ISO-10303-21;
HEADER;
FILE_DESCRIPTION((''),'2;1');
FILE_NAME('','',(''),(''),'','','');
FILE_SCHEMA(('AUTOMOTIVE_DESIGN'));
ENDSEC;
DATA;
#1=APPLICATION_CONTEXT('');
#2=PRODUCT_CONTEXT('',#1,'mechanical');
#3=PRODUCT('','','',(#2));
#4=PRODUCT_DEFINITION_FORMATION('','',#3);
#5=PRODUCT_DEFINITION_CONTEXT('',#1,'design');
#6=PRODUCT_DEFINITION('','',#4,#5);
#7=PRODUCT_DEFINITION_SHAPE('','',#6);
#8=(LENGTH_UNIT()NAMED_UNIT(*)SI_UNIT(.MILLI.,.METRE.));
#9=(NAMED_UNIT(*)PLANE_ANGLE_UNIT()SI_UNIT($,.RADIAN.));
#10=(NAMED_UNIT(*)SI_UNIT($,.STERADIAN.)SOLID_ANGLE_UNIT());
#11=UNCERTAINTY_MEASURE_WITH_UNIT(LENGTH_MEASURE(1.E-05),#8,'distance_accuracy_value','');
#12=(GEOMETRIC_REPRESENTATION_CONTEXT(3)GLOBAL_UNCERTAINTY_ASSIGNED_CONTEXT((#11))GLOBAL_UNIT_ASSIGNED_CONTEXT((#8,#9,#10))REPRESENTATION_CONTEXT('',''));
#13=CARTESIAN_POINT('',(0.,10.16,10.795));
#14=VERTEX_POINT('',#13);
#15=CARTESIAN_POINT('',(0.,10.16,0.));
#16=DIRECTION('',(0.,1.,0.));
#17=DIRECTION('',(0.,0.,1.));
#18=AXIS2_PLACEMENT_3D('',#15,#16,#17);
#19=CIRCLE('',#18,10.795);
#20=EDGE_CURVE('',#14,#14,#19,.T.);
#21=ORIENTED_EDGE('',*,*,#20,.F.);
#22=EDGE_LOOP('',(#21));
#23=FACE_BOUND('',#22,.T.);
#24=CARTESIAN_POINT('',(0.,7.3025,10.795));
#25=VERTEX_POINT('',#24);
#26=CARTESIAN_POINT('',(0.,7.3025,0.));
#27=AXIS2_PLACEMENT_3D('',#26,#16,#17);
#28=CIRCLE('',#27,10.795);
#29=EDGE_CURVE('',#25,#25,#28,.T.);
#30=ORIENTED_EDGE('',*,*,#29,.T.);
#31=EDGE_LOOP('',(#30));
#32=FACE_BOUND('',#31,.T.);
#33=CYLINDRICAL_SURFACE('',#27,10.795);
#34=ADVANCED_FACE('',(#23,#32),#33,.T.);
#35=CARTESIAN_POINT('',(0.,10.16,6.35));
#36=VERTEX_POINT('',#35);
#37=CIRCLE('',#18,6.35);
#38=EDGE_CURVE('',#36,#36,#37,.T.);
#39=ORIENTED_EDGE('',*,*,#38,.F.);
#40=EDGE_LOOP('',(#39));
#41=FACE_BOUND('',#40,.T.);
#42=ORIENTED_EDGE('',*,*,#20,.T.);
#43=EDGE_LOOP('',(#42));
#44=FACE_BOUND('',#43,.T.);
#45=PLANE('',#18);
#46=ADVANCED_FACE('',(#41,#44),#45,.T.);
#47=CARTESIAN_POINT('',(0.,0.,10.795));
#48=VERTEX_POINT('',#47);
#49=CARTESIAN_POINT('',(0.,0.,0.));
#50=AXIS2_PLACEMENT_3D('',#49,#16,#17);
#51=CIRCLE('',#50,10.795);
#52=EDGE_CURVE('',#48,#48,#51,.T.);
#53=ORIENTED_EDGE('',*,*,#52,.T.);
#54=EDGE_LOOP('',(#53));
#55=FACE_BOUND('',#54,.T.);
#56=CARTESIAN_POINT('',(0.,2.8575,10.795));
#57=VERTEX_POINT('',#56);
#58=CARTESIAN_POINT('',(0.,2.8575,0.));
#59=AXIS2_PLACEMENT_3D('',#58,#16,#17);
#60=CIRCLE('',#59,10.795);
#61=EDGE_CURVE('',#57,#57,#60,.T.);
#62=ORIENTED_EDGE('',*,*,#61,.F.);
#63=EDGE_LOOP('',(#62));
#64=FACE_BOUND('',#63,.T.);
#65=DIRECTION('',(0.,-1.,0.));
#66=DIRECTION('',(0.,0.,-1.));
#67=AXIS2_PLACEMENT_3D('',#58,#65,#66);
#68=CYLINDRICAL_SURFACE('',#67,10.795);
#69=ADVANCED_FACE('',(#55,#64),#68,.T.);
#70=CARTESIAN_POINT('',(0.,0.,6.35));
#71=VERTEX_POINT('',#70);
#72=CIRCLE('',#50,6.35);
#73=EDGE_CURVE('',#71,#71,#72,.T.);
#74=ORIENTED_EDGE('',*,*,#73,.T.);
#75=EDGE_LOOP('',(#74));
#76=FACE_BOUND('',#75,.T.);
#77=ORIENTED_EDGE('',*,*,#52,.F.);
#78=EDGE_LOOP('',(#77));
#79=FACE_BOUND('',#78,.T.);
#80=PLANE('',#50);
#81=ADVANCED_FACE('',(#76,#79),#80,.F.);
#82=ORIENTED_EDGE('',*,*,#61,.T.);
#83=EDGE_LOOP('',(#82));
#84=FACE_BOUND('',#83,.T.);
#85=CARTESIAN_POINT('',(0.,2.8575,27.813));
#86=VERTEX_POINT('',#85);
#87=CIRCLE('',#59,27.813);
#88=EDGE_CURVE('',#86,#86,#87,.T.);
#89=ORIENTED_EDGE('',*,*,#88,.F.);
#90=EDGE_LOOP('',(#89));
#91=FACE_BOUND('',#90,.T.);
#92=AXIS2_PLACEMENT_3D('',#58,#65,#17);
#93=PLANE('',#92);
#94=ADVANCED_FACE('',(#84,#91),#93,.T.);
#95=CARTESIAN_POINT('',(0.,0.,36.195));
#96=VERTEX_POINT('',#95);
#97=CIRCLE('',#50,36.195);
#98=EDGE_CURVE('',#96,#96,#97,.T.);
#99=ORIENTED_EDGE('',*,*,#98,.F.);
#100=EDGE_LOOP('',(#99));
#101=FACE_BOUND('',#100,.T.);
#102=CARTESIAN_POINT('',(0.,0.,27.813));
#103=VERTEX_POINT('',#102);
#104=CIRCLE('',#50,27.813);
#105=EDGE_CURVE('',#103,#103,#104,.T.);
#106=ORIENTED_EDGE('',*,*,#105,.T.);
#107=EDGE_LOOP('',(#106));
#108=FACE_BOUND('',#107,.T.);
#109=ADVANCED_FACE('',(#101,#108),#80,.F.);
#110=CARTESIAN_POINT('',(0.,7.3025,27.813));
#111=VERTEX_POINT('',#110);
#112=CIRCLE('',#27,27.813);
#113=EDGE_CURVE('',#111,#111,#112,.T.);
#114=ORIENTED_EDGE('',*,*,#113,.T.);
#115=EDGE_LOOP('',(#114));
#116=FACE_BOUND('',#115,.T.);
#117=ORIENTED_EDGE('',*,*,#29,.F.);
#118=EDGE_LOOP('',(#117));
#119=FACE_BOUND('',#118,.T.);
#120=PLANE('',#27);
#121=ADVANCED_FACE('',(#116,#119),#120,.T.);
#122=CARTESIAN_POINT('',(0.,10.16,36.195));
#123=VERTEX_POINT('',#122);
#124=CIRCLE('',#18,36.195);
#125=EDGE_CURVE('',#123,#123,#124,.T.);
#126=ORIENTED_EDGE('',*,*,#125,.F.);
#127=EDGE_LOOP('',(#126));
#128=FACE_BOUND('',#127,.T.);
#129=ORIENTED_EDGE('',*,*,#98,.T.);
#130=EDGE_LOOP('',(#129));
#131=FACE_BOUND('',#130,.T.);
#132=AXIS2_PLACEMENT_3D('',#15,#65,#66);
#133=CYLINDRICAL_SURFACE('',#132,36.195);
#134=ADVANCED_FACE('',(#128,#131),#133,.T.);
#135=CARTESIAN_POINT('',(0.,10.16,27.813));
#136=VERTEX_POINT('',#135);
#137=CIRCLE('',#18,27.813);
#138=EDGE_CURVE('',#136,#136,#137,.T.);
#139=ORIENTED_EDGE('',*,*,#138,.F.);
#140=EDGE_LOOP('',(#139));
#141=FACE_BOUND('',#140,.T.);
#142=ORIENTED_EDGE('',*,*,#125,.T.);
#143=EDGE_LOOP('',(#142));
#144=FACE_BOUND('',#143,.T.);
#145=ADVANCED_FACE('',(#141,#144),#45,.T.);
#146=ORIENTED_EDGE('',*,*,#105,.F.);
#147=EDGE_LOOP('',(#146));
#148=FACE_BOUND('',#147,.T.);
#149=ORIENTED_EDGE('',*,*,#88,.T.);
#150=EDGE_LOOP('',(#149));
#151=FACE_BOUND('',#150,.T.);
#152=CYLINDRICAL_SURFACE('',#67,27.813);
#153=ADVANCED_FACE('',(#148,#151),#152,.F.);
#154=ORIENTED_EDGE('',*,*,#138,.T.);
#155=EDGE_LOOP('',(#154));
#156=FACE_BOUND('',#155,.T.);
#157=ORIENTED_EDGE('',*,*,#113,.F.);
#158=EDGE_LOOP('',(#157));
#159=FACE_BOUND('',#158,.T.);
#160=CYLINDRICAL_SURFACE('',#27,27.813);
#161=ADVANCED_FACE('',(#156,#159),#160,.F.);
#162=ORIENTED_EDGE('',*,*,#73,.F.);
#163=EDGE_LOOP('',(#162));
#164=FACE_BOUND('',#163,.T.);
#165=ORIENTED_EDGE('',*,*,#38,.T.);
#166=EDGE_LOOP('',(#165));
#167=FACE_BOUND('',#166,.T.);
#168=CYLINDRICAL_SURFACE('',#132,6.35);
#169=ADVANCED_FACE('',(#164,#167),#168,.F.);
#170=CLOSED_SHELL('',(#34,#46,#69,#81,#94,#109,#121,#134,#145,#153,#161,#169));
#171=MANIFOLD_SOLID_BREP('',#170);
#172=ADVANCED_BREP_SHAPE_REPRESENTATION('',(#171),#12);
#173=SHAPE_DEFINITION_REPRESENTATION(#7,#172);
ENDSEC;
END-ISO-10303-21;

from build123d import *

# Parameters (mm, degrees)
SKETCH1_R          = 36.195
SKETCH1_R_2        = 6.35
DISK_DEPTH         = 10.16
SKETCH2_R          = 27.813
SKETCH2_R_2        = 10.795
CUT_EXTRUDE1_DEPTH = 2.8575


with BuildPart() as part:
    # Sketch1 → Disk (new body)
    with BuildSketch(Plane(origin=(0, 0, 0), x_dir=(1, 0, 0), z_dir=(0, 1, 0))):
        with Locations(Location((0, 0, 0), (0, 0, 270))):
            Circle(SKETCH1_R)
        with Locations(Location((0, 0, 0), (0, 0, 270))):
            Circle(SKETCH1_R_2, mode=Mode.SUBTRACT)
    extrude(amount=DISK_DEPTH)

    # Sketch2 → Cut-Extrude1 (cut)
    with BuildSketch(Plane(origin=(0, 10.16, 0), x_dir=(1, 0, 0), z_dir=(0, 1, 0))):
        with Locations(Location((0, 0, 0), (0, 0, 270))):
            Circle(SKETCH2_R)
        with Locations(Location((0, 0, 0), (0, 0, 270))):
            Circle(SKETCH2_R_2, mode=Mode.SUBTRACT)
    cut_extrude1 = extrude(amount=-CUT_EXTRUDE1_DEPTH, mode=Mode.SUBTRACT)

    # Mirror1: Cut-Extrude1 across plane
    add(cut_extrude1.mirror(Plane.ZX.offset(5.08)), mode=Mode.SUBTRACT)


solid = part.part
